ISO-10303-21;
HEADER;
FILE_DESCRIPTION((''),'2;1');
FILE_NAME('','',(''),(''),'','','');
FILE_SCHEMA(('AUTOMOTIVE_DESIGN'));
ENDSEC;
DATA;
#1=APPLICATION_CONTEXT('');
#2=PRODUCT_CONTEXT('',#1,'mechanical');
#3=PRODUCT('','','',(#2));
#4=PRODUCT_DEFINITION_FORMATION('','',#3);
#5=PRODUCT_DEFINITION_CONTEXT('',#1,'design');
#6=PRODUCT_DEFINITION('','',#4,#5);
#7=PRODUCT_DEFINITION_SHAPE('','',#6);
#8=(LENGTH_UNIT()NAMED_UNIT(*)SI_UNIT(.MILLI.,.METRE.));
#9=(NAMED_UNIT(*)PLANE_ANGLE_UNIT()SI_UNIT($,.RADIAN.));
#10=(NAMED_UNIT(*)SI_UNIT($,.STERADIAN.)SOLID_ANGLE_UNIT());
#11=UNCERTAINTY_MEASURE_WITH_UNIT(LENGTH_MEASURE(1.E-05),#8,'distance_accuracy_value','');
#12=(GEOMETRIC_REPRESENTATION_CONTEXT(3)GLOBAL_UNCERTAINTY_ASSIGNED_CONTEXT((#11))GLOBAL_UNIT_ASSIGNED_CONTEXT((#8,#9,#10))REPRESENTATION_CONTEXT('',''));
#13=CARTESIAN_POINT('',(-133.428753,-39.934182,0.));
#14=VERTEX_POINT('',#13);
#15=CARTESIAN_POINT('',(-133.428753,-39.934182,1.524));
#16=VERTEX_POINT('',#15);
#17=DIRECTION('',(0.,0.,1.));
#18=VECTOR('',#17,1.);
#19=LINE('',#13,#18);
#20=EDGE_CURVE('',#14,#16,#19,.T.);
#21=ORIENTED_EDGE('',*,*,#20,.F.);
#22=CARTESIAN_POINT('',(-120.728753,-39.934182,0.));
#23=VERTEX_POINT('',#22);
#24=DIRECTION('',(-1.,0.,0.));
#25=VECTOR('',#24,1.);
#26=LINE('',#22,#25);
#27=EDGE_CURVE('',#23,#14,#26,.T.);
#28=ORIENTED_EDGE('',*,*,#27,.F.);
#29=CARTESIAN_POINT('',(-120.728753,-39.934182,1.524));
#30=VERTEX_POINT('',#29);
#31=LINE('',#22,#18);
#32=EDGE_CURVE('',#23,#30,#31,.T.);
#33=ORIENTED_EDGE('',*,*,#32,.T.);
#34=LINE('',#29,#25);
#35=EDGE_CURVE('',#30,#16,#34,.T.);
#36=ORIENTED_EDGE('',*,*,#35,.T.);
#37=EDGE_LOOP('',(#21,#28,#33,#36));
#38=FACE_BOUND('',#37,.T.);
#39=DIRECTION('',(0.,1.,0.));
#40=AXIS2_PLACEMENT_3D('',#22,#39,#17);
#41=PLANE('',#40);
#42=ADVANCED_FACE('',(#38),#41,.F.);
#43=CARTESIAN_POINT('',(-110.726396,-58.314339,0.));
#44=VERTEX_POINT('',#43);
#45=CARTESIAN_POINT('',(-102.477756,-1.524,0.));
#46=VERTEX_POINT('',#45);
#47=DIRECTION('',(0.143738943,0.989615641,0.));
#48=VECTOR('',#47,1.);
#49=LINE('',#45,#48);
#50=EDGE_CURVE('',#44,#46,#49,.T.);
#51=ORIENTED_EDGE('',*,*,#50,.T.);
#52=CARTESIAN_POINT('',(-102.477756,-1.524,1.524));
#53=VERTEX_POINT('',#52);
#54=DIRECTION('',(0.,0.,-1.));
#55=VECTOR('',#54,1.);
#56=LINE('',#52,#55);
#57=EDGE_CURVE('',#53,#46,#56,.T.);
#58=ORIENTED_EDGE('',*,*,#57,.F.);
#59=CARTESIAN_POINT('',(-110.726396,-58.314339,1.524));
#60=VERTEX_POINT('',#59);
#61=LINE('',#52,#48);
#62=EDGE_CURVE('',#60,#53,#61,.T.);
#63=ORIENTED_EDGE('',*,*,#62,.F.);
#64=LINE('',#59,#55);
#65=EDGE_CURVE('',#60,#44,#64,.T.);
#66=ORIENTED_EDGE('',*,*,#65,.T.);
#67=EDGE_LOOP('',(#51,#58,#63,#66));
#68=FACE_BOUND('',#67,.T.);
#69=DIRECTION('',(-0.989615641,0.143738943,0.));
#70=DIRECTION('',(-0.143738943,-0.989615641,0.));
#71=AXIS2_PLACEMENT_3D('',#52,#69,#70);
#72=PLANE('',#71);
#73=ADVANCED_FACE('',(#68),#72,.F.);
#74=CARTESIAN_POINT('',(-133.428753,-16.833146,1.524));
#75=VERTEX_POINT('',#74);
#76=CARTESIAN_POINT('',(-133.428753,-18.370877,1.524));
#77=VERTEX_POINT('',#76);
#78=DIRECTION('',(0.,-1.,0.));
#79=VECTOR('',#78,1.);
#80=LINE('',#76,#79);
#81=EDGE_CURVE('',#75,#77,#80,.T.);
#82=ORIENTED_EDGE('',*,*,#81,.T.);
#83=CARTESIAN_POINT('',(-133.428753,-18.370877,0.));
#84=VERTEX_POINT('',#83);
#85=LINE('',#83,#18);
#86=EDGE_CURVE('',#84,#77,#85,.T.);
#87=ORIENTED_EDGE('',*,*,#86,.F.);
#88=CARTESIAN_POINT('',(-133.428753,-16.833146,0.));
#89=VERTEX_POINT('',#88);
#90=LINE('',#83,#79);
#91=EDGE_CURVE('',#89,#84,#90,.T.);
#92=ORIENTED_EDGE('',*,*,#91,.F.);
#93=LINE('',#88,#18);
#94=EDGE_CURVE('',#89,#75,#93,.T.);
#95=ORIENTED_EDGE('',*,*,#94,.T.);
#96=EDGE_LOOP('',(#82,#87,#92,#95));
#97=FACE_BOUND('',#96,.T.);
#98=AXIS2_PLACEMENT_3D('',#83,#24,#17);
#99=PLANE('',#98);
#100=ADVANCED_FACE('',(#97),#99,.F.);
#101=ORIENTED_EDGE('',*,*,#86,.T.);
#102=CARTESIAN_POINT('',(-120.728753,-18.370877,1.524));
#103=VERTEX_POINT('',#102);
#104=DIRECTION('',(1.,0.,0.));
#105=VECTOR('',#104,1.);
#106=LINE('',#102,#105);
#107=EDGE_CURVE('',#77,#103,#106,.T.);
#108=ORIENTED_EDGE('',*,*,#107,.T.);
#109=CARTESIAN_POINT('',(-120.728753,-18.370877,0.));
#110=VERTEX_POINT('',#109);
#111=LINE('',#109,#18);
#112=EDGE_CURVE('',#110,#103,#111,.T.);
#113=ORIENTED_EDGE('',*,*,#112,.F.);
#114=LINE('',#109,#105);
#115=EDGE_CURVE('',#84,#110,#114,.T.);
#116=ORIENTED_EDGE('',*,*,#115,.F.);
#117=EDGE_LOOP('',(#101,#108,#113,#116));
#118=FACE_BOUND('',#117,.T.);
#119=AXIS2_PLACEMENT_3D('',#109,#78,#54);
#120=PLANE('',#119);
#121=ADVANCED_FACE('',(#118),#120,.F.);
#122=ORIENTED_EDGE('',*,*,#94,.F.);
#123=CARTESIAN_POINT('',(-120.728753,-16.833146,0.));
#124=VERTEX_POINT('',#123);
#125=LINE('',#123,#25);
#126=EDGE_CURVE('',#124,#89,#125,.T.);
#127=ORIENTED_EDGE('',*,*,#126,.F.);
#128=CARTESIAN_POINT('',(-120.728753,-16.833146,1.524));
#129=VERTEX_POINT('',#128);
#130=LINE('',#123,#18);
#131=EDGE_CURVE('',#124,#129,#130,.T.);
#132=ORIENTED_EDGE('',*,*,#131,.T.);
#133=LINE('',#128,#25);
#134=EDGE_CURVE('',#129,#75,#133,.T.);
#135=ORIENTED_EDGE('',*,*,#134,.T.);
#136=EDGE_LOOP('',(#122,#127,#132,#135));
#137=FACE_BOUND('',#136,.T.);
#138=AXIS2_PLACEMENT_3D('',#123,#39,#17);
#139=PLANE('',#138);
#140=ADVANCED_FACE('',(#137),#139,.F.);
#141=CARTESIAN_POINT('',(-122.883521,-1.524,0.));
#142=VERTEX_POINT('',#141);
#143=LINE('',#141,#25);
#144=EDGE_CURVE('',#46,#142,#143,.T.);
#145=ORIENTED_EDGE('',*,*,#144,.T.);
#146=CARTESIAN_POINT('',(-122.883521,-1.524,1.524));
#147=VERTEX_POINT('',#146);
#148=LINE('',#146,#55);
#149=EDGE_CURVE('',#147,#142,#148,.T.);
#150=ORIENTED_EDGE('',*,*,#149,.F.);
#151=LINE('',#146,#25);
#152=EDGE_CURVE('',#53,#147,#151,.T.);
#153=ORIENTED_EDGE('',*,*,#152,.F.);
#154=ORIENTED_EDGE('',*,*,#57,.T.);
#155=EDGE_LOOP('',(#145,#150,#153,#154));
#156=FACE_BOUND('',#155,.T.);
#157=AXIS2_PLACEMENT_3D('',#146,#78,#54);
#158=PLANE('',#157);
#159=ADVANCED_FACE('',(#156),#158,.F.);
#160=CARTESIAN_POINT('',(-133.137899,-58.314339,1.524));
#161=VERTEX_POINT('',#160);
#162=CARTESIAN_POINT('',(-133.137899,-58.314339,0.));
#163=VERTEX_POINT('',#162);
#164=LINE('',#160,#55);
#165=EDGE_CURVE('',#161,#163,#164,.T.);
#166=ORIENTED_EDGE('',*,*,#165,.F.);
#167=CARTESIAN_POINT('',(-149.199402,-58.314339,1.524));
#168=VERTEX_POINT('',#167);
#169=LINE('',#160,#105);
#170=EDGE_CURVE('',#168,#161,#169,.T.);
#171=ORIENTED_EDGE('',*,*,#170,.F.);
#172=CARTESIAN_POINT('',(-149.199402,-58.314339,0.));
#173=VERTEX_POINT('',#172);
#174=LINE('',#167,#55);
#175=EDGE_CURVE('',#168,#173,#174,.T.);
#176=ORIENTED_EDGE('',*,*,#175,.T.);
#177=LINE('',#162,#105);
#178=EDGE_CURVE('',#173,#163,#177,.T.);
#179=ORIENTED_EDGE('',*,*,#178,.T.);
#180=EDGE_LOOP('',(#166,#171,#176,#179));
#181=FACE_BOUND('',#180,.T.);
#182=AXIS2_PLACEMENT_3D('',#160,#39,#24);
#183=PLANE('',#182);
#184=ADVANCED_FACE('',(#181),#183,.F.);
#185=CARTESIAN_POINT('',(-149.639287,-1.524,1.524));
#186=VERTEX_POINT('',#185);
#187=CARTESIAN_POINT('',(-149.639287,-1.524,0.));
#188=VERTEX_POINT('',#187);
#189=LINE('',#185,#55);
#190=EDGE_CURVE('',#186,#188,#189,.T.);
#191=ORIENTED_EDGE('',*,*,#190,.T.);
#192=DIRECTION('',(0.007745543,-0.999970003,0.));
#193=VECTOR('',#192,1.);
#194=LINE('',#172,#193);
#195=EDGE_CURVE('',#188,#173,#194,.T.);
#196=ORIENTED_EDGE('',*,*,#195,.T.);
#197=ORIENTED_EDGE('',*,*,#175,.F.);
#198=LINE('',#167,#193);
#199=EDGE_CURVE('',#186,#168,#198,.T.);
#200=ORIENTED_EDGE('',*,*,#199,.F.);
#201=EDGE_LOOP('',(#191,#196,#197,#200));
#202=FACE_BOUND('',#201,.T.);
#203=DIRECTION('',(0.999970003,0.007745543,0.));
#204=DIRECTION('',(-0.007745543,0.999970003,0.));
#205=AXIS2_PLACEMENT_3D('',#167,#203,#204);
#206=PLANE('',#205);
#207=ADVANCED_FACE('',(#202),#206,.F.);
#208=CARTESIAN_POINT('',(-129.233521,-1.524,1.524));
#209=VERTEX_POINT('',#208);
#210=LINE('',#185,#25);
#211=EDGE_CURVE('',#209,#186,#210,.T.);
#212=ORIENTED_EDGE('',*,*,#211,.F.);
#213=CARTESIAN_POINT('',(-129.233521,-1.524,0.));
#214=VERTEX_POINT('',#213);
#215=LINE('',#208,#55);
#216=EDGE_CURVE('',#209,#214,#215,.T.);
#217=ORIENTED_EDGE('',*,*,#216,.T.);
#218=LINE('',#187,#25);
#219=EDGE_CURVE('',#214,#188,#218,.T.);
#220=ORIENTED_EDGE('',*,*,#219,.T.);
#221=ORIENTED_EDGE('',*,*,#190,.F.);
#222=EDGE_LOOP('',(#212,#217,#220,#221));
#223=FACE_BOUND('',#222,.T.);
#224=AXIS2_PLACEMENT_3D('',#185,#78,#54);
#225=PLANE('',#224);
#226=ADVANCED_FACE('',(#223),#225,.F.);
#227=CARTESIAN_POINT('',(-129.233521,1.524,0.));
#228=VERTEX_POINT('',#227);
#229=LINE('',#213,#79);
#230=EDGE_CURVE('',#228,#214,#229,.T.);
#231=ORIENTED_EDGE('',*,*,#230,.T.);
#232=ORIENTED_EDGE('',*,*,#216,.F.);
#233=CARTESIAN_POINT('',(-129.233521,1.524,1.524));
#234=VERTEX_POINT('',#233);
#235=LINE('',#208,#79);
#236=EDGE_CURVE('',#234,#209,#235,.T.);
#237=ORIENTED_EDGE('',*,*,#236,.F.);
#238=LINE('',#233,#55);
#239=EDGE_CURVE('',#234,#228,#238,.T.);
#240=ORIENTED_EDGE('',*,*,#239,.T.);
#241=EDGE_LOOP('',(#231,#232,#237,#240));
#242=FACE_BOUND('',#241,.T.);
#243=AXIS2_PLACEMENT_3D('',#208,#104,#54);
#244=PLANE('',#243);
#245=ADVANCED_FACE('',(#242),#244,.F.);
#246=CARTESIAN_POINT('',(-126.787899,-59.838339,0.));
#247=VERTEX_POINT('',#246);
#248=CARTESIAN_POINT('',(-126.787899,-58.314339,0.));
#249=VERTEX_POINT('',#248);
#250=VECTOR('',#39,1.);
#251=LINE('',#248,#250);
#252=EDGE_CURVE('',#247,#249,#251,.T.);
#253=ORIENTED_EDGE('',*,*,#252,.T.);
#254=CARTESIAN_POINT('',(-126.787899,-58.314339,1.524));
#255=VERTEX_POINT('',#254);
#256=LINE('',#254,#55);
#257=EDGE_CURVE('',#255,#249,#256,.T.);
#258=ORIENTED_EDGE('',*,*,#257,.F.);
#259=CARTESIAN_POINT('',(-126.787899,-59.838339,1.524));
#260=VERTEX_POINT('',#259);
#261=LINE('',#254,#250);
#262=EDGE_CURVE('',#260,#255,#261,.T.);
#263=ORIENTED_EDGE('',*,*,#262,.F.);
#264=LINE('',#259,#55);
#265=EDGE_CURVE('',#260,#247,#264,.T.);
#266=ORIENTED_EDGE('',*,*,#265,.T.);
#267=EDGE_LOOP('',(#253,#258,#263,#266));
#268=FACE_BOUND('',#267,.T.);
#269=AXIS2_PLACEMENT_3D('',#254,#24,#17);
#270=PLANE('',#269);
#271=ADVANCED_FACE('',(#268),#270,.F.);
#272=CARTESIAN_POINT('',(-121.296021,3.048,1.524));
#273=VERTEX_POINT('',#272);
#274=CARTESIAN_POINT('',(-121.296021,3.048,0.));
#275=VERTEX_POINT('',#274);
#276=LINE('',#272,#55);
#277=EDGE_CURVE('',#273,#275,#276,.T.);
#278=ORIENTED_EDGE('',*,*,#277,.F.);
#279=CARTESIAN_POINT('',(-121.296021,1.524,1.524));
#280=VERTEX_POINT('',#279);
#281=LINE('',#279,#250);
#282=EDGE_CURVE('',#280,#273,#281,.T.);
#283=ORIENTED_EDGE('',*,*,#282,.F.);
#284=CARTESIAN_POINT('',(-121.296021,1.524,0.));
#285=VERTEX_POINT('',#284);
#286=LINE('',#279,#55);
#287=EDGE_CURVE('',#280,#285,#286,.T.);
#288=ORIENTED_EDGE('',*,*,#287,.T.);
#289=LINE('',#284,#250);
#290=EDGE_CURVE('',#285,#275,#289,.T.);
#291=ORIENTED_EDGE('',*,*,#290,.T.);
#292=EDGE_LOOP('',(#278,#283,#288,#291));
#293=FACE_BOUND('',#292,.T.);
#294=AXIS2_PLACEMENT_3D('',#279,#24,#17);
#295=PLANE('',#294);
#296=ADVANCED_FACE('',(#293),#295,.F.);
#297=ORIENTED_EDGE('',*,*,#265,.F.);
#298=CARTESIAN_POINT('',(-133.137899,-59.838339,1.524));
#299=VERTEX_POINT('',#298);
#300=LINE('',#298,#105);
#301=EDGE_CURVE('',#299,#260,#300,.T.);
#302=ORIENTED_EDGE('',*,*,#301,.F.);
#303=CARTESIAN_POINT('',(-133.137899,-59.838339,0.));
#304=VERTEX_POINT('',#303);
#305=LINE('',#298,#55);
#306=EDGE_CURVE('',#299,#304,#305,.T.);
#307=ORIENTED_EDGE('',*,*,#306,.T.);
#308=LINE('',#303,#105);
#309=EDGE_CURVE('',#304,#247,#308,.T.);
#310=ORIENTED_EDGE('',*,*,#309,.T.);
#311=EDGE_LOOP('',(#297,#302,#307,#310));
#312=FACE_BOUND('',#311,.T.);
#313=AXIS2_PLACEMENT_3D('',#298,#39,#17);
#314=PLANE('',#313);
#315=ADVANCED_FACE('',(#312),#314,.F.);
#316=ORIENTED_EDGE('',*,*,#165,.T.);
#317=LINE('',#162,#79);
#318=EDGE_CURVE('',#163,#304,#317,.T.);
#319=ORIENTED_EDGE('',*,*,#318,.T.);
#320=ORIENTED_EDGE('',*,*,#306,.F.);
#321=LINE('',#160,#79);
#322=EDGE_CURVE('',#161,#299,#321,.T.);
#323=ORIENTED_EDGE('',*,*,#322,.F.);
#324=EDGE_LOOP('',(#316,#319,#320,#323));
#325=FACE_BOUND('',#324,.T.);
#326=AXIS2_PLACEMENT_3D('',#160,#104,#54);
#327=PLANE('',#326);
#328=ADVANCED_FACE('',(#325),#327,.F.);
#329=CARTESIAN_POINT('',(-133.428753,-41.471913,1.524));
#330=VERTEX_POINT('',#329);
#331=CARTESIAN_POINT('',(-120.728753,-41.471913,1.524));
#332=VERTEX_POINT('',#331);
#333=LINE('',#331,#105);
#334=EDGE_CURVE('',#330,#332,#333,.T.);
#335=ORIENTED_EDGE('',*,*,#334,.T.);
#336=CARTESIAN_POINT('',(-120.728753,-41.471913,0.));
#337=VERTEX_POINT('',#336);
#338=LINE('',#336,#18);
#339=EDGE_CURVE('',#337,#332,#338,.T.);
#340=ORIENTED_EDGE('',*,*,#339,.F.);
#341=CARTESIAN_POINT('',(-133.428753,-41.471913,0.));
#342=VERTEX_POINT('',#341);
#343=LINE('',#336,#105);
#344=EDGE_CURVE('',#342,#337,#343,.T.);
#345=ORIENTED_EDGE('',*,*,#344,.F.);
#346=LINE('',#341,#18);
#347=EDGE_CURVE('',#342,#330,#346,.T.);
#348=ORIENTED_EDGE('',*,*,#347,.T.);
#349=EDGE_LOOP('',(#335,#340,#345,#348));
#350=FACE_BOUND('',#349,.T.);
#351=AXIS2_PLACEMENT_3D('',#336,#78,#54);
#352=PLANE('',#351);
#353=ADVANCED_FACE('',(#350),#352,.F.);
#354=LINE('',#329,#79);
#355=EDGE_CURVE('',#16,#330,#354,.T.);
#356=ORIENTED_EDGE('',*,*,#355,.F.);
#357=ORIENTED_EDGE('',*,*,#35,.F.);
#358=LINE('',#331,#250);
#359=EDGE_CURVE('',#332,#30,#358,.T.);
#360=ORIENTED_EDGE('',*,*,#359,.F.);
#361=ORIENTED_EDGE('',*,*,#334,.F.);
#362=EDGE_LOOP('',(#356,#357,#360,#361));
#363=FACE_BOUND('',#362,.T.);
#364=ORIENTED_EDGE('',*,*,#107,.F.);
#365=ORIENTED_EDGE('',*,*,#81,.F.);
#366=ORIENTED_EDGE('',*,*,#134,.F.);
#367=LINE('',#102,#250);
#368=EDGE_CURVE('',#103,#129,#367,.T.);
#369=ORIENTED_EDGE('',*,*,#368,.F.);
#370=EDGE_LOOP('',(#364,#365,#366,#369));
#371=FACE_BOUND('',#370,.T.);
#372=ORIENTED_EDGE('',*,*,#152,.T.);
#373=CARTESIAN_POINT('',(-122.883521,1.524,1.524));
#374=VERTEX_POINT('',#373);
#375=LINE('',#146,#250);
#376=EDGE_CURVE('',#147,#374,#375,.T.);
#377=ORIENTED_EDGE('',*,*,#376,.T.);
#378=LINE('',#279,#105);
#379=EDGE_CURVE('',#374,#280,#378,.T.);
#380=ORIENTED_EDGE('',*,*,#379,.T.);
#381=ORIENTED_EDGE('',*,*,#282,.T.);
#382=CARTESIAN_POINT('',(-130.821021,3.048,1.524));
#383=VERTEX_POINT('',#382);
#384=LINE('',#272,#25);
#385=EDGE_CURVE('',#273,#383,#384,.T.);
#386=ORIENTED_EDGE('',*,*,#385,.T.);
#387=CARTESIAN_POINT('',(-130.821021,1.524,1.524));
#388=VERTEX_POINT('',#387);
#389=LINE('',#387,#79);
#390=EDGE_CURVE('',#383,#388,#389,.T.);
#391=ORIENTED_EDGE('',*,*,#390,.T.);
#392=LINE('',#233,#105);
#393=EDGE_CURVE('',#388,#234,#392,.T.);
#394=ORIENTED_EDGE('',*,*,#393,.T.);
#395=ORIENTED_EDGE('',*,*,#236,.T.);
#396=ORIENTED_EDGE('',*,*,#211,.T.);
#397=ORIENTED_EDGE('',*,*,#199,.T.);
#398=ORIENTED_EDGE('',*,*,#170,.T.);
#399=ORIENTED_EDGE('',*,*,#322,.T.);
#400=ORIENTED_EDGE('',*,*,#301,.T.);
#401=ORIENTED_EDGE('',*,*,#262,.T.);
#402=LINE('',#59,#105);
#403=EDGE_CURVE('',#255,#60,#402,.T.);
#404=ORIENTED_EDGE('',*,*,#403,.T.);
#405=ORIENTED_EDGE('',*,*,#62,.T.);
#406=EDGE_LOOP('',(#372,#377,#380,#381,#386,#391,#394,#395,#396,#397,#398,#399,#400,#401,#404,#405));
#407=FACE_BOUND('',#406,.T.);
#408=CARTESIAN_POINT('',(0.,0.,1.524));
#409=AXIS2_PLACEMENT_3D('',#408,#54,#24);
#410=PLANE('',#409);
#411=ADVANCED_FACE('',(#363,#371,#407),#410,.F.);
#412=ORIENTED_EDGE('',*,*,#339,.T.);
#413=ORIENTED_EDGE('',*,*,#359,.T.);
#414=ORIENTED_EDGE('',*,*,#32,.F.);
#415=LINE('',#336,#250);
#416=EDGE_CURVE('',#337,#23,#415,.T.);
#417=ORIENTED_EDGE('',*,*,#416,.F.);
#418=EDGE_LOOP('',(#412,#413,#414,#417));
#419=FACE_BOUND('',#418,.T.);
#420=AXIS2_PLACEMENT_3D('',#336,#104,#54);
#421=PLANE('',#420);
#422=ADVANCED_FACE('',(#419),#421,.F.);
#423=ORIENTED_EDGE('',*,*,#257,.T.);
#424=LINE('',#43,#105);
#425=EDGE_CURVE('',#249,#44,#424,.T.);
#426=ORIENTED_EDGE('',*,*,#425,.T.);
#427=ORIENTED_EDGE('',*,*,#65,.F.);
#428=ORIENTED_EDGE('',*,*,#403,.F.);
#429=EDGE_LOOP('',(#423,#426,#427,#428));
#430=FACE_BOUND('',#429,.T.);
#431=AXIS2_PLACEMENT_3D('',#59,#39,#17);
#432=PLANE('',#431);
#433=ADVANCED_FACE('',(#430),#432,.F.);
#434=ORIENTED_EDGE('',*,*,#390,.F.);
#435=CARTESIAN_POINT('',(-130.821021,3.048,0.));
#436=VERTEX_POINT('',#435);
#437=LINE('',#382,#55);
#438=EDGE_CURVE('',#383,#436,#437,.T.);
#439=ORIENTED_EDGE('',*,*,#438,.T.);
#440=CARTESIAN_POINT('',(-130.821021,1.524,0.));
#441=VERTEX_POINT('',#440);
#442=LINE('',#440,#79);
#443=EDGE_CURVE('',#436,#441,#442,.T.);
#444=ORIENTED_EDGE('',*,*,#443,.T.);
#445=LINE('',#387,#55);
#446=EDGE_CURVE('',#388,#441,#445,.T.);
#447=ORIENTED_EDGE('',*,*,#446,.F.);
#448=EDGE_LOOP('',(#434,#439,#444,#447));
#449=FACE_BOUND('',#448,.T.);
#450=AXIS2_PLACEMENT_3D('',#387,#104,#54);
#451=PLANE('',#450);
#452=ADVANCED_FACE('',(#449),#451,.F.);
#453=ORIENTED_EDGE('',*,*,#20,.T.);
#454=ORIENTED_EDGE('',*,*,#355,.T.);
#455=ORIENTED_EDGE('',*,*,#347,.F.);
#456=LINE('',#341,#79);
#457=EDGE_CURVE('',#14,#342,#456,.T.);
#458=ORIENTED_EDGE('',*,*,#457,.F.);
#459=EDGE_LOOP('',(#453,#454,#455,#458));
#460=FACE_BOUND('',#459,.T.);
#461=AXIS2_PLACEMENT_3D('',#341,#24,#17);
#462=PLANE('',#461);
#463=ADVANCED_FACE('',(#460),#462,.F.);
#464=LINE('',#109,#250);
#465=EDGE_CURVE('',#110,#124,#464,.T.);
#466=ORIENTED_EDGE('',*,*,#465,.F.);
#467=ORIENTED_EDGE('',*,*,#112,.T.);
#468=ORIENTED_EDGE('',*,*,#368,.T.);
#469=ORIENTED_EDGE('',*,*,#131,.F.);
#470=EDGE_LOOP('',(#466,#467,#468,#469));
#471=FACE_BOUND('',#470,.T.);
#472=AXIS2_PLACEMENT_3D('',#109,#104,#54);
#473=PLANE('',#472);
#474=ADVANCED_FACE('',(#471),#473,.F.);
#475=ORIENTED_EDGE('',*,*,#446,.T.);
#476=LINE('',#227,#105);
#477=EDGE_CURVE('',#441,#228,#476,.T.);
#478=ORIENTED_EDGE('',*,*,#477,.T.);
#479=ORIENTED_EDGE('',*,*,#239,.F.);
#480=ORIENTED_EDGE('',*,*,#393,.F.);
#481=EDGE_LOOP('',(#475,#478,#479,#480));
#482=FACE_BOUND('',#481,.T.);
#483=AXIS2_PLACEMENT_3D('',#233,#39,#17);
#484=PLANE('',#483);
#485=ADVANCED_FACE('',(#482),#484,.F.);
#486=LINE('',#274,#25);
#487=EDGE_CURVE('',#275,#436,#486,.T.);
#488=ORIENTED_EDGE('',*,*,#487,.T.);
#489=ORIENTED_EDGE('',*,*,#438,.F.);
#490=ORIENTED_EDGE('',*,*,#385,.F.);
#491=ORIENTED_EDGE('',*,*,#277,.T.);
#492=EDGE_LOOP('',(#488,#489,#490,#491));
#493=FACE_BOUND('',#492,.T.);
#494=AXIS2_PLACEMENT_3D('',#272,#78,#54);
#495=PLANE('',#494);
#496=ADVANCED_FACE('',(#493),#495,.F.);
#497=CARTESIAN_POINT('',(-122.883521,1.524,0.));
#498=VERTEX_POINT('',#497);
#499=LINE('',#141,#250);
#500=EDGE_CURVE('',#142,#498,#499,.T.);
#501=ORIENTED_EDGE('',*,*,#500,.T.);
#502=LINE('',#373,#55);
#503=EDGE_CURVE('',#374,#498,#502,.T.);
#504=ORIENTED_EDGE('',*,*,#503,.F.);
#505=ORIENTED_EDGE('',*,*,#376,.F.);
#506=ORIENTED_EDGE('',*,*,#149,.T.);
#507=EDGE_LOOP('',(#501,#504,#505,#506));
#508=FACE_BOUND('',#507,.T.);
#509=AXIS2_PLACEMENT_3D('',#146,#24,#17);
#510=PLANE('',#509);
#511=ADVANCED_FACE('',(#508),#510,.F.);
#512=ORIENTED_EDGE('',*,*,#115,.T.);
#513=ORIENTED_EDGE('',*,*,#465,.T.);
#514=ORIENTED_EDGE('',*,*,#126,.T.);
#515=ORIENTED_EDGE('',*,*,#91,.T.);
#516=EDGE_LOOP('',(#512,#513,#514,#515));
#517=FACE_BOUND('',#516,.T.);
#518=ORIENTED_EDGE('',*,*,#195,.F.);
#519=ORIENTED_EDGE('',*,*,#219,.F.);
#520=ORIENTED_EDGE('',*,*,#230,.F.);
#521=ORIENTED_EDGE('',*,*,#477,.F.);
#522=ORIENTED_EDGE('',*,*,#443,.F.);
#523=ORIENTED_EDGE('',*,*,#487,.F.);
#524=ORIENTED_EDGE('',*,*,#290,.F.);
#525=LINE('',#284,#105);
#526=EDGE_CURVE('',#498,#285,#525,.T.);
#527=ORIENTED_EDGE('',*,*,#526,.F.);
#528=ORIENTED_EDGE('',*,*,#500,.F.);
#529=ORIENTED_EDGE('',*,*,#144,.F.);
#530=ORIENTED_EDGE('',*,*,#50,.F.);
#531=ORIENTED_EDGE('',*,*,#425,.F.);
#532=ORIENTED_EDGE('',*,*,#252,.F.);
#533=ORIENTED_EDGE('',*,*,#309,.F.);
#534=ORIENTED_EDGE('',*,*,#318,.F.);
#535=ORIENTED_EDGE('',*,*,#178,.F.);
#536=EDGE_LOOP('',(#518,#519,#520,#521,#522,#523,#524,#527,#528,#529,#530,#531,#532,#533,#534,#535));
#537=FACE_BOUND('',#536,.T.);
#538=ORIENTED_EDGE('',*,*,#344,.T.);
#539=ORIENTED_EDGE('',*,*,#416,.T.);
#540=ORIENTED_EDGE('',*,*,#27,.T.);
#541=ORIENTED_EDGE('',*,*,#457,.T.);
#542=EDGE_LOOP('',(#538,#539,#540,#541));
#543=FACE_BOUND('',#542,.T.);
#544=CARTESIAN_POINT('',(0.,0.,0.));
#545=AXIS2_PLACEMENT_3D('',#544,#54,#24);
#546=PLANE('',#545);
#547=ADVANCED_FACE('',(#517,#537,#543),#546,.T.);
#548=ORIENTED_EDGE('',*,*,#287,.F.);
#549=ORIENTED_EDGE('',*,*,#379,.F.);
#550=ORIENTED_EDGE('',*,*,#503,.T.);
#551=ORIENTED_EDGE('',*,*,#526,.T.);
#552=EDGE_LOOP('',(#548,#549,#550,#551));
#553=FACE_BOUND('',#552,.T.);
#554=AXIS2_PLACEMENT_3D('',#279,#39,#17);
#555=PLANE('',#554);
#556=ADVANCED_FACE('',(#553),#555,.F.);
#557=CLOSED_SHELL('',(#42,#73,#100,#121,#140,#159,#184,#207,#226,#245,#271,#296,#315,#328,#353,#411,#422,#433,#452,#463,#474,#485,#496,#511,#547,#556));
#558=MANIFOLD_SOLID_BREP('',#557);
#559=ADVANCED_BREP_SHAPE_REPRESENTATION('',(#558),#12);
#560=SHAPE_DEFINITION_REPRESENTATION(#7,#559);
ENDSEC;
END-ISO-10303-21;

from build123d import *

# Parameters (mm, degrees)
BOSS_EXTRUDE1_DEPTH = 1.524
SKETCH2_W           = 12.7
SKETCH2_H           = 1.537730424
SKETCH2_H_2         = 1.537730425
CUT_EXTRUDE1_DEPTH  = 1.524


with BuildPart() as part:
    # Sketch1 → Boss-Extrude1 (new body)
    with BuildSketch(Plane.XY):
        Polygon((-102.477755775, -1.524), (-110.726395883, -58.314338926), (-126.787898899, -58.314338926), (-126.787898899, -59.838338926), (-133.137898899, -59.838338926), (-133.137898899, -58.314338926), (-149.199401915, -58.314338926), (-149.6392871, -1.524), (-129.233521437, -1.524), (-129.233521437, 1.524), (-130.821021437, 1.524), (-130.821021437, 3.048), (-121.296021437, 3.048), (-121.296021437, 1.524), (-122.883521437, 1.524), (-122.883521437, -1.524), align=None)
    extrude(amount=BOSS_EXTRUDE1_DEPTH)

    # Sketch2 → Cut-Extrude1 (cut)
    with BuildSketch(Plane.XY.offset(1.524)):
        with Locations((-127.078752717, -17.602011312)):
            Rectangle(SKETCH2_W, SKETCH2_H)
        with Locations((-127.078752717, -40.703047377)):
            Rectangle(SKETCH2_W, SKETCH2_H_2)
    extrude(amount=-CUT_EXTRUDE1_DEPTH, mode=Mode.SUBTRACT)


solid = part.part
